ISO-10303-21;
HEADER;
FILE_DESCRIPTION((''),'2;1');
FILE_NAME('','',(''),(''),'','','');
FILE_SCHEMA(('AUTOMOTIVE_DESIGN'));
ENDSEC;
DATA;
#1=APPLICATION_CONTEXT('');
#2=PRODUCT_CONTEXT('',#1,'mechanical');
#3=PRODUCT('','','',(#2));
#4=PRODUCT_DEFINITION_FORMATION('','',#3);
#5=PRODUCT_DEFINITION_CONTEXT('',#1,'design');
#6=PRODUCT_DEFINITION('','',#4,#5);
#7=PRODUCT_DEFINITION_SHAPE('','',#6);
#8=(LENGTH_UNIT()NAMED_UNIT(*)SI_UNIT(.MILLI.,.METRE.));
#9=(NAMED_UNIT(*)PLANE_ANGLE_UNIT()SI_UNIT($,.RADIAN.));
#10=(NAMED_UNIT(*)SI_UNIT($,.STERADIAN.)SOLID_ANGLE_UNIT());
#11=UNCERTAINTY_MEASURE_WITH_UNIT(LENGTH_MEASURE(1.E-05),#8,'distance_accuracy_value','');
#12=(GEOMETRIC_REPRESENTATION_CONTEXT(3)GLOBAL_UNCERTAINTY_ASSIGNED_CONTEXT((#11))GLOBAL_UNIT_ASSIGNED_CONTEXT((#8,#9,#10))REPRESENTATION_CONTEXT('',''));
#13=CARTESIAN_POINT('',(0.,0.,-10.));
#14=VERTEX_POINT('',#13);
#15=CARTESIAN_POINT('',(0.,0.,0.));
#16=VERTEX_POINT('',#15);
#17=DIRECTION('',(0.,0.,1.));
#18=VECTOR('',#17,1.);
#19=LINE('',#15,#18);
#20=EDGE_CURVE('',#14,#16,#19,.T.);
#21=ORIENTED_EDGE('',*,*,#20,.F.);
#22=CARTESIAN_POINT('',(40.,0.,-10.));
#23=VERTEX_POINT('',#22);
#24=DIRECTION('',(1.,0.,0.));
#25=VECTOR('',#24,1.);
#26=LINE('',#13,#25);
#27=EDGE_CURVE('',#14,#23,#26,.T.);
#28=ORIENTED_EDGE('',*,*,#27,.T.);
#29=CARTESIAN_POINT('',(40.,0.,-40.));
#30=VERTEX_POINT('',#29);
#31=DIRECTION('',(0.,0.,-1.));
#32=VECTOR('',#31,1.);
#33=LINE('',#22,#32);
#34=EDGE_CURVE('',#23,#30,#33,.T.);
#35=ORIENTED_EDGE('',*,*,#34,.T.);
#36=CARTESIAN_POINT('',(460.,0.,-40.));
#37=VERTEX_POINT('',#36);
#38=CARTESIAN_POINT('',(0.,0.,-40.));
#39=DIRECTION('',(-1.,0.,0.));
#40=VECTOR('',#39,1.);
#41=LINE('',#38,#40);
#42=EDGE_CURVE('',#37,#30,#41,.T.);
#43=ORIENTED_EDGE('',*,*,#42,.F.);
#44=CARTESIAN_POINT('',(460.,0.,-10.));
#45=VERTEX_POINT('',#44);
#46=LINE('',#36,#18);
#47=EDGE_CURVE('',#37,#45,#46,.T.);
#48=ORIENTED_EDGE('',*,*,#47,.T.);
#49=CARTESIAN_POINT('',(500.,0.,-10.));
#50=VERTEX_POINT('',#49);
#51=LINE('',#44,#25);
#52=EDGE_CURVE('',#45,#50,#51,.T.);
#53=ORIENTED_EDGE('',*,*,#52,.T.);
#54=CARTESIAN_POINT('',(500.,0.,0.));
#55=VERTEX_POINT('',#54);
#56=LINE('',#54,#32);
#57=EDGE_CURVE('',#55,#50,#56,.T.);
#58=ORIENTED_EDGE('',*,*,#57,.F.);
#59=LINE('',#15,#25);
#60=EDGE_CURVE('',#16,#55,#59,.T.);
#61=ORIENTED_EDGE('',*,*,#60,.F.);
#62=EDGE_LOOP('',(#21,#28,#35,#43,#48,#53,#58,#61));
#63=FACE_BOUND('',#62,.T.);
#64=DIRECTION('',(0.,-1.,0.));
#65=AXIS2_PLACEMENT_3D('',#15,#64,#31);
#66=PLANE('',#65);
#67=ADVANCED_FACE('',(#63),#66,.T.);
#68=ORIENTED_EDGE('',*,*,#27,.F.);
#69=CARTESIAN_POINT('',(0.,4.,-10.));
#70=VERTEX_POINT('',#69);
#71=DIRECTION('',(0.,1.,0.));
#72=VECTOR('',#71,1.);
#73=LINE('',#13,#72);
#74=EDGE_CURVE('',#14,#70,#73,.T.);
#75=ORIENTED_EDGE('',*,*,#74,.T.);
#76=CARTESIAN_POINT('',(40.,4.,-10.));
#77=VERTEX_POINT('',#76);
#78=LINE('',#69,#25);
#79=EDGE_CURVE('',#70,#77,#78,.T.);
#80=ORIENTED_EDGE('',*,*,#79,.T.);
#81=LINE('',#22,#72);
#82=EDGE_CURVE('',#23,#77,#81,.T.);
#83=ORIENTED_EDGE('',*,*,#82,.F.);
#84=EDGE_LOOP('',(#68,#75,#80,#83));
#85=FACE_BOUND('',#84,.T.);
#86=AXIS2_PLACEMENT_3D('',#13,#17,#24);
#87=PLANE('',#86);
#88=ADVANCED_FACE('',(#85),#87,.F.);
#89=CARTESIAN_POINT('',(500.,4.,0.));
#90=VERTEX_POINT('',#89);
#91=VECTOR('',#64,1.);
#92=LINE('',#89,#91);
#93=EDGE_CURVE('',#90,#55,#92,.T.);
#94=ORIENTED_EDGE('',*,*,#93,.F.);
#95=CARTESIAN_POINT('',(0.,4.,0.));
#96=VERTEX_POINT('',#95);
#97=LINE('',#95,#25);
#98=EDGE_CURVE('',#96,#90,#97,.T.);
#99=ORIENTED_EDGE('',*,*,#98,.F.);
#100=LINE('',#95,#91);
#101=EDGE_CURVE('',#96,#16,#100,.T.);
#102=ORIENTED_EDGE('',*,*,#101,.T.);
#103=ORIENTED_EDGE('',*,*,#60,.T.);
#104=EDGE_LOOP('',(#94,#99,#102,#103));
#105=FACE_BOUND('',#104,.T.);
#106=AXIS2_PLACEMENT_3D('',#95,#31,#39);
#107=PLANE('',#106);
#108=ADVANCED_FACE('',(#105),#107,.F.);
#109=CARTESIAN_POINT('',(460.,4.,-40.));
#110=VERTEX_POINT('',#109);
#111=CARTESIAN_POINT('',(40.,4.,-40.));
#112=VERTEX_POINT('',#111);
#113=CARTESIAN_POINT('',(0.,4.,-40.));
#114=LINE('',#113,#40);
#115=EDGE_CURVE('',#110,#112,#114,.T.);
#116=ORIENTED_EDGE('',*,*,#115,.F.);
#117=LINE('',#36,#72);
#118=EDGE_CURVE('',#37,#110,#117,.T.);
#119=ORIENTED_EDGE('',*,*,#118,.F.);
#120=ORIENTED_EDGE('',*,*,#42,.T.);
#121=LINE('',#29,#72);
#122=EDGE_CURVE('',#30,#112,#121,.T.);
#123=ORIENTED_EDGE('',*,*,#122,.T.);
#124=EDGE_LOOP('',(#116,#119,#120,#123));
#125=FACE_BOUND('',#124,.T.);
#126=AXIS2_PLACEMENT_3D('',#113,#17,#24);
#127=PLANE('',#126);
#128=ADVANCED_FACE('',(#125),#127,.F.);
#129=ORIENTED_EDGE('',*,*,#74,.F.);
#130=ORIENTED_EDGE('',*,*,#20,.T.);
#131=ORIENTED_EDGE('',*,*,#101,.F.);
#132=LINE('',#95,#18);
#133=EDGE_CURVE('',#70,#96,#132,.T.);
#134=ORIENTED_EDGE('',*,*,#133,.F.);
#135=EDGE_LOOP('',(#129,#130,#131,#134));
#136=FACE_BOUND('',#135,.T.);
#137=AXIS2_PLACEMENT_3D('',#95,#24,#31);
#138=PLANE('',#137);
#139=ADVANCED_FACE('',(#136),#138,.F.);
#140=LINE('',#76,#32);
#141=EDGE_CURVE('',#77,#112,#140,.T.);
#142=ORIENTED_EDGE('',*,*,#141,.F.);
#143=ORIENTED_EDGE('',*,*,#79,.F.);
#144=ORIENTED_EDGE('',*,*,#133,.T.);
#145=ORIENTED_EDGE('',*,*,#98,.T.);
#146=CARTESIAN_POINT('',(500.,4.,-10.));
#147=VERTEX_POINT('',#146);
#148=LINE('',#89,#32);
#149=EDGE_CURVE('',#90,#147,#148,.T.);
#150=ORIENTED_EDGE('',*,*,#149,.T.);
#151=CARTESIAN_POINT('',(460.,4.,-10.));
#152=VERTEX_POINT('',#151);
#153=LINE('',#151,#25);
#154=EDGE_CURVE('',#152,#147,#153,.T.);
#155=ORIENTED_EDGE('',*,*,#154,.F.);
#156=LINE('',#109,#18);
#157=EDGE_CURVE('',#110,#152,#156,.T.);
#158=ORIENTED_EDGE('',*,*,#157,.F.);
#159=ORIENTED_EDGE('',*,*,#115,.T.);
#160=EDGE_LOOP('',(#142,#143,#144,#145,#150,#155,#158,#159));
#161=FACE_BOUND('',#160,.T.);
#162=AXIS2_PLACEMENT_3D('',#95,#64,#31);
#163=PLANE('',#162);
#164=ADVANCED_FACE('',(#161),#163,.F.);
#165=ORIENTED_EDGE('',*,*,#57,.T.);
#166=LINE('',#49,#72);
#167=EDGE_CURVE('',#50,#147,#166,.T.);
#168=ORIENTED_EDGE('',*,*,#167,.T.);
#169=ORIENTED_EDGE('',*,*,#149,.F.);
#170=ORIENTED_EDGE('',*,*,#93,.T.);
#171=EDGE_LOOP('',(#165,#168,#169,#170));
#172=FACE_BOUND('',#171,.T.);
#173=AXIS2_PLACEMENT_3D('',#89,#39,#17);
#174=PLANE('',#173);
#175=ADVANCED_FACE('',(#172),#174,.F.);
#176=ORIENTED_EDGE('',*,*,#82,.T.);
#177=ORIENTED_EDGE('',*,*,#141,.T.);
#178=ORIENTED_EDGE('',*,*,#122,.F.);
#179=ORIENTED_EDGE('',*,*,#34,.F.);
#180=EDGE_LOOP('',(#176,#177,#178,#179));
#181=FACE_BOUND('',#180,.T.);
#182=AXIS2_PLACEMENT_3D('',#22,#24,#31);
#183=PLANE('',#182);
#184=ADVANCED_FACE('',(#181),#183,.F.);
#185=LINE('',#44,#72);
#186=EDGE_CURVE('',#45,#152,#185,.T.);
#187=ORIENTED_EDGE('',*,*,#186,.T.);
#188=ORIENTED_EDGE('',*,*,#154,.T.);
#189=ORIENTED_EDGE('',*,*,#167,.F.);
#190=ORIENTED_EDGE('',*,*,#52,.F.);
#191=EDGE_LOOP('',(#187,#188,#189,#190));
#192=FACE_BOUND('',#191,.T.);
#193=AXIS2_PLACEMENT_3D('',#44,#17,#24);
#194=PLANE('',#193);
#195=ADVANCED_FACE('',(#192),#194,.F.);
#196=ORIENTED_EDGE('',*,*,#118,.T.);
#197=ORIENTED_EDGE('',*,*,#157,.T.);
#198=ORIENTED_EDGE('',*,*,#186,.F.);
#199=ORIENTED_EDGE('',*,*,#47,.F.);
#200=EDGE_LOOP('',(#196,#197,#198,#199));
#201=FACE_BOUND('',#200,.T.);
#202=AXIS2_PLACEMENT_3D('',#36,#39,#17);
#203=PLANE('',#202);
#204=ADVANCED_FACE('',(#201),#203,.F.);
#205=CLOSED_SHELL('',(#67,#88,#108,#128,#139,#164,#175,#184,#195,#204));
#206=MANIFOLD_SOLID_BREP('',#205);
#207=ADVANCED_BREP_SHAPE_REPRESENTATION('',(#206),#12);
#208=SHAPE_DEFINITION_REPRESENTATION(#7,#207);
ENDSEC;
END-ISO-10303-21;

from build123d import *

# Parameters (mm, degrees)
SKETCH_1_W          = 500
SKETCH_1_H          = 40
EXTRUDE_1_DEPTH     = 4
SKETCH_3_W          = 40
SKETCH_3_H          = 30
CUT_EXTRUDE_1_DEPTH = 502.61339695
SKETCH_4_W          = 40
SKETCH_4_H          = 30
CUT_EXTRUDE_2_DEPTH = 502.61339695


with BuildPart() as part:
    # Эскиз1 → Бобышка-Вытянуть1 (new body)
    with BuildSketch(Plane(origin=(0, 0, 0), x_dir=(1, 0, 0), z_dir=(0, 1, 0))):
        with Locations((250, 20)):
            Rectangle(SKETCH_1_W, SKETCH_1_H)
    extrude(amount=EXTRUDE_1_DEPTH)

    # Эскиз3 → Вырез-Вытянуть1 (cut, through all)
    with BuildSketch(Plane(origin=(0, 4, 0), x_dir=(1, 0, 0), z_dir=(0, 1, 0))):
        with Locations((20, 25)):
            Rectangle(SKETCH_3_W, SKETCH_3_H)
    extrude(amount=-CUT_EXTRUDE_1_DEPTH, mode=Mode.SUBTRACT)

    # Эскиз4 → Вырез-Вытянуть2 (cut, through all)
    with BuildSketch(Plane(origin=(0, 4, 0), x_dir=(1, 0, 0), z_dir=(0, 1, 0))):
        with Locations((480, 25)):
            Rectangle(SKETCH_4_W, SKETCH_4_H)
    extrude(amount=-CUT_EXTRUDE_2_DEPTH, mode=Mode.SUBTRACT)


solid = part.part
